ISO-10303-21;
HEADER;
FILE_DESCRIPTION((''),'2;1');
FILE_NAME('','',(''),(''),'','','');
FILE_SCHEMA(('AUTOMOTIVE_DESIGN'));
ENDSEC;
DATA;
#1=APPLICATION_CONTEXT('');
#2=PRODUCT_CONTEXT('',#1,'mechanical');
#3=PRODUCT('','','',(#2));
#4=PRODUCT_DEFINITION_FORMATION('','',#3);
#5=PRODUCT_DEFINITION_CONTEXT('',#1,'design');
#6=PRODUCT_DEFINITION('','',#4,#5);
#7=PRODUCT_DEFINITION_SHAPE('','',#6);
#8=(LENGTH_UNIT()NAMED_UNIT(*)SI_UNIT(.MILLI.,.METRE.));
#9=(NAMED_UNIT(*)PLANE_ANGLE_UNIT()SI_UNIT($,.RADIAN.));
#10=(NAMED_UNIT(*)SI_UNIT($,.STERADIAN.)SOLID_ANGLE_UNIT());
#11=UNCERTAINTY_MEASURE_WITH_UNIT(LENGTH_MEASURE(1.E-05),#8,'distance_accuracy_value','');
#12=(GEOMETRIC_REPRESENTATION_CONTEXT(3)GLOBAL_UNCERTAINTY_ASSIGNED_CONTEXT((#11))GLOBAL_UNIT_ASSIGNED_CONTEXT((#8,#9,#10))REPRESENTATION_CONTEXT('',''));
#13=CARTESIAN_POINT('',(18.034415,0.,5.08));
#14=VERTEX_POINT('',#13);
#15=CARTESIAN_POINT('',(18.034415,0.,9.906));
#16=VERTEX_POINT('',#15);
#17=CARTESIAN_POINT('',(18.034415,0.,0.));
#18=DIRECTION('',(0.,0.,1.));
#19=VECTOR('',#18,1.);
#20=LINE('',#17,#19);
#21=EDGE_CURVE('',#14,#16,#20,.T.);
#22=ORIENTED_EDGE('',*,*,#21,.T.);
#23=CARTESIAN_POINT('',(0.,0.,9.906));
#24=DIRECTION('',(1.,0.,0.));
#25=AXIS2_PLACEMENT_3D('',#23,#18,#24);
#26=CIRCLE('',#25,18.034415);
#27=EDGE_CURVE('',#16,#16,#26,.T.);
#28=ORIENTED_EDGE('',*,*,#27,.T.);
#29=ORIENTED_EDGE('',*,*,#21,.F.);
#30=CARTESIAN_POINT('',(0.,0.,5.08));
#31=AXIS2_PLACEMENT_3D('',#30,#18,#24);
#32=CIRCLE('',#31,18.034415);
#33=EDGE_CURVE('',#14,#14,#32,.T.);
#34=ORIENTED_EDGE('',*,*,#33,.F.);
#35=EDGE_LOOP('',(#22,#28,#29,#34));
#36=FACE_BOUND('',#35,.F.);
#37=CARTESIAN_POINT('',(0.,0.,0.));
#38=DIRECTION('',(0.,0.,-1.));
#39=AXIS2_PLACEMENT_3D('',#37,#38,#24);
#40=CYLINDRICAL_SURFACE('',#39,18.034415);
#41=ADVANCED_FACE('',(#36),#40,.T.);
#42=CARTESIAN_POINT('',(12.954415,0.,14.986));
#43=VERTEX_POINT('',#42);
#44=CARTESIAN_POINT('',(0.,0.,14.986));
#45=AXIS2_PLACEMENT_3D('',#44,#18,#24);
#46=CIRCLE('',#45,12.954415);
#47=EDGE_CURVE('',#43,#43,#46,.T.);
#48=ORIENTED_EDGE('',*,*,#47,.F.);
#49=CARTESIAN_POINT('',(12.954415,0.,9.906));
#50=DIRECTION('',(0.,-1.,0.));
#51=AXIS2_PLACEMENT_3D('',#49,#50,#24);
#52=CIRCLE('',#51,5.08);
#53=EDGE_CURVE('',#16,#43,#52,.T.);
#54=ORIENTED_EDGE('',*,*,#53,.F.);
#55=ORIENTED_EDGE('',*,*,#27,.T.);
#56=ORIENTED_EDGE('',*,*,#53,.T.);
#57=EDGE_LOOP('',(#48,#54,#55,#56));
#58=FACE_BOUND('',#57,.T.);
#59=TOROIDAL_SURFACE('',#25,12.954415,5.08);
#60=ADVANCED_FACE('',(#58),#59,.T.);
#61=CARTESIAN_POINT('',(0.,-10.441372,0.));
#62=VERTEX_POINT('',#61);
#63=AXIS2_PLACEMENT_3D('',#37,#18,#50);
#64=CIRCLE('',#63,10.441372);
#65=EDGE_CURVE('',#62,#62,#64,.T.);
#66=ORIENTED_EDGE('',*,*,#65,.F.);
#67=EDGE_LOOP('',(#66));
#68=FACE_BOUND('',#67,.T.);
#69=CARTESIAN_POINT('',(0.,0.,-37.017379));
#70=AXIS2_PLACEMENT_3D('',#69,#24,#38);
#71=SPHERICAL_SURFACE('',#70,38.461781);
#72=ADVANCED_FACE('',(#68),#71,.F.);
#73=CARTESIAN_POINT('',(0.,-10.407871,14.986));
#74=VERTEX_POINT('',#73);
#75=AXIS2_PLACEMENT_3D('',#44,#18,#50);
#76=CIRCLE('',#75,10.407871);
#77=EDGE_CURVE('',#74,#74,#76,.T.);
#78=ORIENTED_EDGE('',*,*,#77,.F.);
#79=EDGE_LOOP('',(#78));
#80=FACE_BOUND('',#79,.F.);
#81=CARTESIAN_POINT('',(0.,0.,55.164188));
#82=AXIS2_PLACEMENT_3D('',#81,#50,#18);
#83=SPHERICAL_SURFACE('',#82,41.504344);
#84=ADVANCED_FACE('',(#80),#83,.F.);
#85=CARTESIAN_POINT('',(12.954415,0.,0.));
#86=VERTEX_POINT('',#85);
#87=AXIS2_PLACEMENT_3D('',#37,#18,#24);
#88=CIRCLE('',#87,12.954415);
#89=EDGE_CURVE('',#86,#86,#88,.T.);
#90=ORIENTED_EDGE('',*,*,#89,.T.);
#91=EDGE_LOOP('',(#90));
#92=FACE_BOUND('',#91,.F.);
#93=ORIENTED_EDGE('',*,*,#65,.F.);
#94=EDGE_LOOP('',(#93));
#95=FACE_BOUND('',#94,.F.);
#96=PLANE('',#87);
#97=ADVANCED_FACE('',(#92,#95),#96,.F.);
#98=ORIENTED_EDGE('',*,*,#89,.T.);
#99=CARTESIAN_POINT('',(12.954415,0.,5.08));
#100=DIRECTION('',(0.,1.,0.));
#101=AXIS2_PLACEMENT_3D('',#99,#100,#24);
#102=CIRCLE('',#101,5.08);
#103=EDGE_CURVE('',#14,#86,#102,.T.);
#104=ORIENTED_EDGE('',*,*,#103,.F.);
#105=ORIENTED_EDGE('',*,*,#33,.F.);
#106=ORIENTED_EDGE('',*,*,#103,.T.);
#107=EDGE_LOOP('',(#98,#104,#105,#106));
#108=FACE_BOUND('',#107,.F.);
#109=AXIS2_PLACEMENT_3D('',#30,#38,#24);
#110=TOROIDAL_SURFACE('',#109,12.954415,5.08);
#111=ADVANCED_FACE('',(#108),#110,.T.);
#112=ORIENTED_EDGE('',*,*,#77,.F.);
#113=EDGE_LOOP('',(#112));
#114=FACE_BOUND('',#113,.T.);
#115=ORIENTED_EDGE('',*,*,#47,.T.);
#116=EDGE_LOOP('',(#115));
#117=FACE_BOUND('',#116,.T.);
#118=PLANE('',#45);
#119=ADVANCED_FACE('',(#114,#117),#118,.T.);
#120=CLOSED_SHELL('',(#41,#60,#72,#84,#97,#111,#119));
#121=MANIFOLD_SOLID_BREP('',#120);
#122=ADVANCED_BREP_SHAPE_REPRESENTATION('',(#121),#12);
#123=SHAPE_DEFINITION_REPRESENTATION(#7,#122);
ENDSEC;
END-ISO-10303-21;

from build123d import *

# Parameters (mm, degrees)
F0_R     = 18.034415
F1_DEPTH = 14.986
F2_R     = 5.08


with BuildPart() as f1:
    # F0 (on Top) → F1 (new body)
    with BuildSketch(Plane.XY):
        Circle(F0_R)
    extrude(amount=F1_DEPTH)

    # F2
    f2_edges = [f1.edges().sort_by_distance(p)[0] for p in [
        (18.034415, 0, 7.493),
        (-18.034415, 0, 0),
        (-18.034415, 0, 14.986),
    ]]
    fillet(f2_edges, radius=F2_R)

    # F3 (on Right) → F4 (revolve, cut)
    with BuildSketch(Plane.YZ):
        with BuildLine():
            Line((-41.504344, 55.164188), (41.504344, 55.164188))
            ThreePointArc((41.504344, 55.164188), (0, 96.668532), (-41.504344, 55.164188))
        make_face()
    revolve(axis=Axis((0, 0.253545, 55.164188), (0, -1, 0)), mode=Mode.SUBTRACT)

    # F5 (on Front) → F6 (revolve, cut)
    with BuildSketch(Plane.XZ):
        with BuildLine():
            ThreePointArc((-38.461781, -37.017379), (0, -75.47916), (38.461781, -37.017379))
            Line((38.461781, -37.017379), (-38.461781, -37.017379))
        make_face()
    revolve(axis=Axis((1.748852, 0, -37.017379), (-1, 0, 0)), mode=Mode.SUBTRACT)


solid = f1.part
